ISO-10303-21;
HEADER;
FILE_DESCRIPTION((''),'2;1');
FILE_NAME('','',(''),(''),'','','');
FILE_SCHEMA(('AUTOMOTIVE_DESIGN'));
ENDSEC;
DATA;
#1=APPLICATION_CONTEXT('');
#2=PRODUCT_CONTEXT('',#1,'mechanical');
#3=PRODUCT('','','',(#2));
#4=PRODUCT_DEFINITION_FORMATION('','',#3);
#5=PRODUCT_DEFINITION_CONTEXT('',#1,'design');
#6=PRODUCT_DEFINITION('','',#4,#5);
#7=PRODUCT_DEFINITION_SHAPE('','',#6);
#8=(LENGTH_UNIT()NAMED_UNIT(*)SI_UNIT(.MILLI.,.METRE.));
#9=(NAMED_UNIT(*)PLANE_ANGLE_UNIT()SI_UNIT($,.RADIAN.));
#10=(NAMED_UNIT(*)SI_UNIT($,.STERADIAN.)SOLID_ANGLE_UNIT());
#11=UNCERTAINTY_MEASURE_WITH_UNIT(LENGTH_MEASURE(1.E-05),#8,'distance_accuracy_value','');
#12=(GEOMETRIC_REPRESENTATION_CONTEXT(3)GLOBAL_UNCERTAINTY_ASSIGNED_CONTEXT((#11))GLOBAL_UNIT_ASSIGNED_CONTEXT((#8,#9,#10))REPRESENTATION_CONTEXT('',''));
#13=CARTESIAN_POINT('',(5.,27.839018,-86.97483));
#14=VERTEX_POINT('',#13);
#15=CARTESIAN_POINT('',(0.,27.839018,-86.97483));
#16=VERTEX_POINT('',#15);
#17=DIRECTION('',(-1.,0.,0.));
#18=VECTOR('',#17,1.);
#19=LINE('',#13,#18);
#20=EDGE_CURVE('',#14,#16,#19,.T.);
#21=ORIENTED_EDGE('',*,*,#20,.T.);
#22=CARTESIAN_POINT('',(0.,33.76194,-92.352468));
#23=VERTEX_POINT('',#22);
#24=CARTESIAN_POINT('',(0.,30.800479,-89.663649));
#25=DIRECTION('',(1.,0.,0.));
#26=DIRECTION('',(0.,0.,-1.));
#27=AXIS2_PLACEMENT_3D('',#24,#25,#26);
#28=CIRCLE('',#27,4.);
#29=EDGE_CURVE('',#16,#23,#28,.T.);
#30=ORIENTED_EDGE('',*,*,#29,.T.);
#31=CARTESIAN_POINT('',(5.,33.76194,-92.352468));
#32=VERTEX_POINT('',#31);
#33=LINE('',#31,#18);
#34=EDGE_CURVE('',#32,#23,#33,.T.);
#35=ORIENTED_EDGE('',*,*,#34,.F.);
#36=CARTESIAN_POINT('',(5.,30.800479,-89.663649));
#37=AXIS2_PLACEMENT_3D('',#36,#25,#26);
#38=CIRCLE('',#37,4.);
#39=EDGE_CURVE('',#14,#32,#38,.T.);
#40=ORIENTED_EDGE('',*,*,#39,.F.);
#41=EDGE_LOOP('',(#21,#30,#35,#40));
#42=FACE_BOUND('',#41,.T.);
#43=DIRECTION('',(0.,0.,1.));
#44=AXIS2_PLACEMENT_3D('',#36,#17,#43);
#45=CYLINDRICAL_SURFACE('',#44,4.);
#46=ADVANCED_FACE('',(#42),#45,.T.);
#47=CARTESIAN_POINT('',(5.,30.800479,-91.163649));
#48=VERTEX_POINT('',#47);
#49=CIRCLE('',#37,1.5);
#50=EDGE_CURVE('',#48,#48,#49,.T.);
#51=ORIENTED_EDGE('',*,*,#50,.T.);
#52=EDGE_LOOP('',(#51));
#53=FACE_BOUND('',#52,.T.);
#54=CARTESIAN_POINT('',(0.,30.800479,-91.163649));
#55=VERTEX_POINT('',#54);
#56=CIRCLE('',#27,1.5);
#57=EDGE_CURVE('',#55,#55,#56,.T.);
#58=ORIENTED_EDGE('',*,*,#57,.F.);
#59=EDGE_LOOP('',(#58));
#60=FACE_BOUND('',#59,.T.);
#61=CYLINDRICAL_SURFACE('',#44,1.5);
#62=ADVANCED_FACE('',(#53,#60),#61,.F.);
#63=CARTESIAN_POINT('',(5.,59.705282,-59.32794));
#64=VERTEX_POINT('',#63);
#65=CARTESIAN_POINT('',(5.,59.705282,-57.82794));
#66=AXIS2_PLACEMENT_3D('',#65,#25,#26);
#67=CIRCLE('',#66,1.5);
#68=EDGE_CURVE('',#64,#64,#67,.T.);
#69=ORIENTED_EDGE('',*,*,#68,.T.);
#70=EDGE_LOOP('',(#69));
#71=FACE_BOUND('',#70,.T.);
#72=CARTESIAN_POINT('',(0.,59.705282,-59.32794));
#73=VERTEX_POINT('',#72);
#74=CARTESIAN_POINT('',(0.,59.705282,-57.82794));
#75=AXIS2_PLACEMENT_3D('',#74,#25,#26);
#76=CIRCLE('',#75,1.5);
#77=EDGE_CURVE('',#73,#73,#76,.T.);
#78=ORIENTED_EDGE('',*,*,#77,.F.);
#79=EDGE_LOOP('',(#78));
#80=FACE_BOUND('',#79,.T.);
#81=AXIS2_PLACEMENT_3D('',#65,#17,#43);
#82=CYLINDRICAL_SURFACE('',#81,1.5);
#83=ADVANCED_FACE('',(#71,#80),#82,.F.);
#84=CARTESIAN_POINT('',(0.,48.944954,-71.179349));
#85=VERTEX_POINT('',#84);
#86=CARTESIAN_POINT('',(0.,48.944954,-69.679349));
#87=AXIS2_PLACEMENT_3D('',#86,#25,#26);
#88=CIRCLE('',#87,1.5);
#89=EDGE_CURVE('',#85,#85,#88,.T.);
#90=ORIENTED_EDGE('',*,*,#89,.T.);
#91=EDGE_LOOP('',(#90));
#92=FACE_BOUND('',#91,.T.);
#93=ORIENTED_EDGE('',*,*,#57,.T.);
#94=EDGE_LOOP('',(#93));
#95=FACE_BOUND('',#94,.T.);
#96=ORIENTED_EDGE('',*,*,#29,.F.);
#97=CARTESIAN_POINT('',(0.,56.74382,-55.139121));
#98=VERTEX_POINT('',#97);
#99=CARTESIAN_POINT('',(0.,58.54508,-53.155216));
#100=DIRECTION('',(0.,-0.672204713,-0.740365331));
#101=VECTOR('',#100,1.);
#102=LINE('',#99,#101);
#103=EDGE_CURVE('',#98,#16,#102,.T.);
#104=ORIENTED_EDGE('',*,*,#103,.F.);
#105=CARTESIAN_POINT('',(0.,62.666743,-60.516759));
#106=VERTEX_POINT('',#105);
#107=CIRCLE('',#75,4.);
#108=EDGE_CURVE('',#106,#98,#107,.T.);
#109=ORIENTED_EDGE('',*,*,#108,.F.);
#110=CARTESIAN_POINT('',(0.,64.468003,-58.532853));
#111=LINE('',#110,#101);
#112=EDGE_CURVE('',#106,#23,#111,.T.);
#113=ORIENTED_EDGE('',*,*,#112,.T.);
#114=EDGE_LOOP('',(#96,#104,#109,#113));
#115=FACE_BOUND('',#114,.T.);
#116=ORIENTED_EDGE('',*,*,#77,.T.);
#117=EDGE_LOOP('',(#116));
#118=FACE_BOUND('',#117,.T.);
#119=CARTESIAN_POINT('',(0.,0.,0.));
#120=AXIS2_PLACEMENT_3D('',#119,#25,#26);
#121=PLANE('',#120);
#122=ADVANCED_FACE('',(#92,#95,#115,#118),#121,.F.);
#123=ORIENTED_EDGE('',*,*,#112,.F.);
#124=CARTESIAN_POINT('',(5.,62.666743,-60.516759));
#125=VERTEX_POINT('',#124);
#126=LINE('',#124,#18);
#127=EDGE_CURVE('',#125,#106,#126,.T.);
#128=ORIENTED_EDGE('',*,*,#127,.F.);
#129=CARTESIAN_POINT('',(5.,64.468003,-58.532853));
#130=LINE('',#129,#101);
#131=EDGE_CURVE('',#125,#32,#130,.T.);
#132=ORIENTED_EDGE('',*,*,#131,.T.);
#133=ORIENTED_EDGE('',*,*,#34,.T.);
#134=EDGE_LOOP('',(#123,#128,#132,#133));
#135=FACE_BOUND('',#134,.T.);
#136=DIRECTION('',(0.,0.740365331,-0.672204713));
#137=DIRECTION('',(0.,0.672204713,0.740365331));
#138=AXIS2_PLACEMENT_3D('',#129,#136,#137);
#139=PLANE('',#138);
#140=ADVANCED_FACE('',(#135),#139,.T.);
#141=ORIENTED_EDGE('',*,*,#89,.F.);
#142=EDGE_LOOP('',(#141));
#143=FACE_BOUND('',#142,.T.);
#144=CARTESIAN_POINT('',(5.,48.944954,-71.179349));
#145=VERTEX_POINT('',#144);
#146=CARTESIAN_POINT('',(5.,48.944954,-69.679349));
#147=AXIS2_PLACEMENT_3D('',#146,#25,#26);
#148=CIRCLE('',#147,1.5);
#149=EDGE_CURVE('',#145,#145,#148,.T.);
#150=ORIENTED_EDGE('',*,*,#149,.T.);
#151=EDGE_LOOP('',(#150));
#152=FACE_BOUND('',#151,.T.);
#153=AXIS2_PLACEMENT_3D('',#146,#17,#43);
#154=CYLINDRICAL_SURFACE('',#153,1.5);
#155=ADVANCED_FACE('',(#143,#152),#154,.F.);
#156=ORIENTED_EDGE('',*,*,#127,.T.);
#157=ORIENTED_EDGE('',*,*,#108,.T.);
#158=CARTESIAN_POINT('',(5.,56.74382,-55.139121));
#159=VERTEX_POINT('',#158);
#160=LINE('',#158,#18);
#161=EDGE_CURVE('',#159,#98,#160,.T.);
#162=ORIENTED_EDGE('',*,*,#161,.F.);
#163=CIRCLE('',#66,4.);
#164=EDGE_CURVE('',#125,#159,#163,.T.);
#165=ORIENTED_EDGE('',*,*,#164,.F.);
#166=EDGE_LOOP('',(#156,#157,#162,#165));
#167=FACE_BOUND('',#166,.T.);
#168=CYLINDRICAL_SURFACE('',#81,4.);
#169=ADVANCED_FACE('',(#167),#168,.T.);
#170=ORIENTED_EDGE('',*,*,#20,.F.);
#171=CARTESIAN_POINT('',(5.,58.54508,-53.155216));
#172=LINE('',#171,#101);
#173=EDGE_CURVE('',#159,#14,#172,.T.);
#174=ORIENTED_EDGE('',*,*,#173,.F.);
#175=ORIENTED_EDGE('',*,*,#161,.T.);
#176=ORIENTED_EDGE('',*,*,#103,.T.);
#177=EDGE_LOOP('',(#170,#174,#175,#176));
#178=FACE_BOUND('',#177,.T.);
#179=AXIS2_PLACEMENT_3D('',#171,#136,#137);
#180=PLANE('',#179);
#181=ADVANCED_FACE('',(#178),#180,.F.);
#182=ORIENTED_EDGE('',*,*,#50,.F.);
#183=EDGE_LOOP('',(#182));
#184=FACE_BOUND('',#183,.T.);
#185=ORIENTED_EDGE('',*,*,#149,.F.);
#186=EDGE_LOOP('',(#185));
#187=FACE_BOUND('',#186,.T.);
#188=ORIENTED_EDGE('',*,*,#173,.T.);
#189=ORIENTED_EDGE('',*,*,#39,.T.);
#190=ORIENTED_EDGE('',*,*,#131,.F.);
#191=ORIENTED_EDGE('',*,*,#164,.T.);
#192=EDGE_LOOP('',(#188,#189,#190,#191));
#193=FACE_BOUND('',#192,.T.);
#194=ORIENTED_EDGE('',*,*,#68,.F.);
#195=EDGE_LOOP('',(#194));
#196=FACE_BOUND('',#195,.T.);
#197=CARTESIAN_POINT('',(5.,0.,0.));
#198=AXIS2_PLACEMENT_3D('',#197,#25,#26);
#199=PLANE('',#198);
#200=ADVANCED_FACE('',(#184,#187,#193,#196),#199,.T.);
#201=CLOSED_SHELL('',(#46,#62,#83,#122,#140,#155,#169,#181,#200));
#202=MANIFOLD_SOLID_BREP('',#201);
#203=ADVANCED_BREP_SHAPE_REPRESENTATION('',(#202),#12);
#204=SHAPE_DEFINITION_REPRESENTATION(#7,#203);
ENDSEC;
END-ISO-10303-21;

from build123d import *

# Parameters (mm, degrees)
SKETCH2_R           = 1.5
SKETCH2_R_2         = 4
BOSS_EXTRUDE1_DEPTH = 5


with BuildPart() as part:
    # Sketch2 → Boss-Extrude1 (new body)
    with BuildSketch(Plane(origin=(0, 0, 0), x_dir=(0, 0, -1), z_dir=(1, 0, 0))):
        with BuildLine():
            Line((92.352467742, 33.761940445), (60.516758506, 62.666743117))
            ThreePointArc((60.516758506, 62.666743117), (61.485484965, 61.324652748), (61.827939653, 59.705281792))
            ThreePointArc((61.827939653, 59.705281792), (59.447310609, 56.047736481), (55.1391208, 56.743820468))
            Line((55.1391208, 56.743820468), (86.974830036, 27.839017797))
            ThreePointArc((86.974830036, 27.839017797), (86.702187565, 33.489297974), (92.352467742, 33.761940445))
        make_face()
        with Locations((69.679349119, 48.944954468)):
            Circle(SKETCH2_R, mode=Mode.SUBTRACT)
        with Locations((57.827939653, 59.705281792)):
            Circle(SKETCH2_R_2)
        with Locations((57.827939653, 59.705281792)):
            Circle(SKETCH2_R, mode=Mode.SUBTRACT)
        with Locations((89.663648889, 30.800479121)):
            Circle(SKETCH2_R_2)
        with Locations((89.663648889, 30.800479121)):
            Circle(SKETCH2_R, mode=Mode.SUBTRACT)
    extrude(amount=BOSS_EXTRUDE1_DEPTH)


solid = part.part
